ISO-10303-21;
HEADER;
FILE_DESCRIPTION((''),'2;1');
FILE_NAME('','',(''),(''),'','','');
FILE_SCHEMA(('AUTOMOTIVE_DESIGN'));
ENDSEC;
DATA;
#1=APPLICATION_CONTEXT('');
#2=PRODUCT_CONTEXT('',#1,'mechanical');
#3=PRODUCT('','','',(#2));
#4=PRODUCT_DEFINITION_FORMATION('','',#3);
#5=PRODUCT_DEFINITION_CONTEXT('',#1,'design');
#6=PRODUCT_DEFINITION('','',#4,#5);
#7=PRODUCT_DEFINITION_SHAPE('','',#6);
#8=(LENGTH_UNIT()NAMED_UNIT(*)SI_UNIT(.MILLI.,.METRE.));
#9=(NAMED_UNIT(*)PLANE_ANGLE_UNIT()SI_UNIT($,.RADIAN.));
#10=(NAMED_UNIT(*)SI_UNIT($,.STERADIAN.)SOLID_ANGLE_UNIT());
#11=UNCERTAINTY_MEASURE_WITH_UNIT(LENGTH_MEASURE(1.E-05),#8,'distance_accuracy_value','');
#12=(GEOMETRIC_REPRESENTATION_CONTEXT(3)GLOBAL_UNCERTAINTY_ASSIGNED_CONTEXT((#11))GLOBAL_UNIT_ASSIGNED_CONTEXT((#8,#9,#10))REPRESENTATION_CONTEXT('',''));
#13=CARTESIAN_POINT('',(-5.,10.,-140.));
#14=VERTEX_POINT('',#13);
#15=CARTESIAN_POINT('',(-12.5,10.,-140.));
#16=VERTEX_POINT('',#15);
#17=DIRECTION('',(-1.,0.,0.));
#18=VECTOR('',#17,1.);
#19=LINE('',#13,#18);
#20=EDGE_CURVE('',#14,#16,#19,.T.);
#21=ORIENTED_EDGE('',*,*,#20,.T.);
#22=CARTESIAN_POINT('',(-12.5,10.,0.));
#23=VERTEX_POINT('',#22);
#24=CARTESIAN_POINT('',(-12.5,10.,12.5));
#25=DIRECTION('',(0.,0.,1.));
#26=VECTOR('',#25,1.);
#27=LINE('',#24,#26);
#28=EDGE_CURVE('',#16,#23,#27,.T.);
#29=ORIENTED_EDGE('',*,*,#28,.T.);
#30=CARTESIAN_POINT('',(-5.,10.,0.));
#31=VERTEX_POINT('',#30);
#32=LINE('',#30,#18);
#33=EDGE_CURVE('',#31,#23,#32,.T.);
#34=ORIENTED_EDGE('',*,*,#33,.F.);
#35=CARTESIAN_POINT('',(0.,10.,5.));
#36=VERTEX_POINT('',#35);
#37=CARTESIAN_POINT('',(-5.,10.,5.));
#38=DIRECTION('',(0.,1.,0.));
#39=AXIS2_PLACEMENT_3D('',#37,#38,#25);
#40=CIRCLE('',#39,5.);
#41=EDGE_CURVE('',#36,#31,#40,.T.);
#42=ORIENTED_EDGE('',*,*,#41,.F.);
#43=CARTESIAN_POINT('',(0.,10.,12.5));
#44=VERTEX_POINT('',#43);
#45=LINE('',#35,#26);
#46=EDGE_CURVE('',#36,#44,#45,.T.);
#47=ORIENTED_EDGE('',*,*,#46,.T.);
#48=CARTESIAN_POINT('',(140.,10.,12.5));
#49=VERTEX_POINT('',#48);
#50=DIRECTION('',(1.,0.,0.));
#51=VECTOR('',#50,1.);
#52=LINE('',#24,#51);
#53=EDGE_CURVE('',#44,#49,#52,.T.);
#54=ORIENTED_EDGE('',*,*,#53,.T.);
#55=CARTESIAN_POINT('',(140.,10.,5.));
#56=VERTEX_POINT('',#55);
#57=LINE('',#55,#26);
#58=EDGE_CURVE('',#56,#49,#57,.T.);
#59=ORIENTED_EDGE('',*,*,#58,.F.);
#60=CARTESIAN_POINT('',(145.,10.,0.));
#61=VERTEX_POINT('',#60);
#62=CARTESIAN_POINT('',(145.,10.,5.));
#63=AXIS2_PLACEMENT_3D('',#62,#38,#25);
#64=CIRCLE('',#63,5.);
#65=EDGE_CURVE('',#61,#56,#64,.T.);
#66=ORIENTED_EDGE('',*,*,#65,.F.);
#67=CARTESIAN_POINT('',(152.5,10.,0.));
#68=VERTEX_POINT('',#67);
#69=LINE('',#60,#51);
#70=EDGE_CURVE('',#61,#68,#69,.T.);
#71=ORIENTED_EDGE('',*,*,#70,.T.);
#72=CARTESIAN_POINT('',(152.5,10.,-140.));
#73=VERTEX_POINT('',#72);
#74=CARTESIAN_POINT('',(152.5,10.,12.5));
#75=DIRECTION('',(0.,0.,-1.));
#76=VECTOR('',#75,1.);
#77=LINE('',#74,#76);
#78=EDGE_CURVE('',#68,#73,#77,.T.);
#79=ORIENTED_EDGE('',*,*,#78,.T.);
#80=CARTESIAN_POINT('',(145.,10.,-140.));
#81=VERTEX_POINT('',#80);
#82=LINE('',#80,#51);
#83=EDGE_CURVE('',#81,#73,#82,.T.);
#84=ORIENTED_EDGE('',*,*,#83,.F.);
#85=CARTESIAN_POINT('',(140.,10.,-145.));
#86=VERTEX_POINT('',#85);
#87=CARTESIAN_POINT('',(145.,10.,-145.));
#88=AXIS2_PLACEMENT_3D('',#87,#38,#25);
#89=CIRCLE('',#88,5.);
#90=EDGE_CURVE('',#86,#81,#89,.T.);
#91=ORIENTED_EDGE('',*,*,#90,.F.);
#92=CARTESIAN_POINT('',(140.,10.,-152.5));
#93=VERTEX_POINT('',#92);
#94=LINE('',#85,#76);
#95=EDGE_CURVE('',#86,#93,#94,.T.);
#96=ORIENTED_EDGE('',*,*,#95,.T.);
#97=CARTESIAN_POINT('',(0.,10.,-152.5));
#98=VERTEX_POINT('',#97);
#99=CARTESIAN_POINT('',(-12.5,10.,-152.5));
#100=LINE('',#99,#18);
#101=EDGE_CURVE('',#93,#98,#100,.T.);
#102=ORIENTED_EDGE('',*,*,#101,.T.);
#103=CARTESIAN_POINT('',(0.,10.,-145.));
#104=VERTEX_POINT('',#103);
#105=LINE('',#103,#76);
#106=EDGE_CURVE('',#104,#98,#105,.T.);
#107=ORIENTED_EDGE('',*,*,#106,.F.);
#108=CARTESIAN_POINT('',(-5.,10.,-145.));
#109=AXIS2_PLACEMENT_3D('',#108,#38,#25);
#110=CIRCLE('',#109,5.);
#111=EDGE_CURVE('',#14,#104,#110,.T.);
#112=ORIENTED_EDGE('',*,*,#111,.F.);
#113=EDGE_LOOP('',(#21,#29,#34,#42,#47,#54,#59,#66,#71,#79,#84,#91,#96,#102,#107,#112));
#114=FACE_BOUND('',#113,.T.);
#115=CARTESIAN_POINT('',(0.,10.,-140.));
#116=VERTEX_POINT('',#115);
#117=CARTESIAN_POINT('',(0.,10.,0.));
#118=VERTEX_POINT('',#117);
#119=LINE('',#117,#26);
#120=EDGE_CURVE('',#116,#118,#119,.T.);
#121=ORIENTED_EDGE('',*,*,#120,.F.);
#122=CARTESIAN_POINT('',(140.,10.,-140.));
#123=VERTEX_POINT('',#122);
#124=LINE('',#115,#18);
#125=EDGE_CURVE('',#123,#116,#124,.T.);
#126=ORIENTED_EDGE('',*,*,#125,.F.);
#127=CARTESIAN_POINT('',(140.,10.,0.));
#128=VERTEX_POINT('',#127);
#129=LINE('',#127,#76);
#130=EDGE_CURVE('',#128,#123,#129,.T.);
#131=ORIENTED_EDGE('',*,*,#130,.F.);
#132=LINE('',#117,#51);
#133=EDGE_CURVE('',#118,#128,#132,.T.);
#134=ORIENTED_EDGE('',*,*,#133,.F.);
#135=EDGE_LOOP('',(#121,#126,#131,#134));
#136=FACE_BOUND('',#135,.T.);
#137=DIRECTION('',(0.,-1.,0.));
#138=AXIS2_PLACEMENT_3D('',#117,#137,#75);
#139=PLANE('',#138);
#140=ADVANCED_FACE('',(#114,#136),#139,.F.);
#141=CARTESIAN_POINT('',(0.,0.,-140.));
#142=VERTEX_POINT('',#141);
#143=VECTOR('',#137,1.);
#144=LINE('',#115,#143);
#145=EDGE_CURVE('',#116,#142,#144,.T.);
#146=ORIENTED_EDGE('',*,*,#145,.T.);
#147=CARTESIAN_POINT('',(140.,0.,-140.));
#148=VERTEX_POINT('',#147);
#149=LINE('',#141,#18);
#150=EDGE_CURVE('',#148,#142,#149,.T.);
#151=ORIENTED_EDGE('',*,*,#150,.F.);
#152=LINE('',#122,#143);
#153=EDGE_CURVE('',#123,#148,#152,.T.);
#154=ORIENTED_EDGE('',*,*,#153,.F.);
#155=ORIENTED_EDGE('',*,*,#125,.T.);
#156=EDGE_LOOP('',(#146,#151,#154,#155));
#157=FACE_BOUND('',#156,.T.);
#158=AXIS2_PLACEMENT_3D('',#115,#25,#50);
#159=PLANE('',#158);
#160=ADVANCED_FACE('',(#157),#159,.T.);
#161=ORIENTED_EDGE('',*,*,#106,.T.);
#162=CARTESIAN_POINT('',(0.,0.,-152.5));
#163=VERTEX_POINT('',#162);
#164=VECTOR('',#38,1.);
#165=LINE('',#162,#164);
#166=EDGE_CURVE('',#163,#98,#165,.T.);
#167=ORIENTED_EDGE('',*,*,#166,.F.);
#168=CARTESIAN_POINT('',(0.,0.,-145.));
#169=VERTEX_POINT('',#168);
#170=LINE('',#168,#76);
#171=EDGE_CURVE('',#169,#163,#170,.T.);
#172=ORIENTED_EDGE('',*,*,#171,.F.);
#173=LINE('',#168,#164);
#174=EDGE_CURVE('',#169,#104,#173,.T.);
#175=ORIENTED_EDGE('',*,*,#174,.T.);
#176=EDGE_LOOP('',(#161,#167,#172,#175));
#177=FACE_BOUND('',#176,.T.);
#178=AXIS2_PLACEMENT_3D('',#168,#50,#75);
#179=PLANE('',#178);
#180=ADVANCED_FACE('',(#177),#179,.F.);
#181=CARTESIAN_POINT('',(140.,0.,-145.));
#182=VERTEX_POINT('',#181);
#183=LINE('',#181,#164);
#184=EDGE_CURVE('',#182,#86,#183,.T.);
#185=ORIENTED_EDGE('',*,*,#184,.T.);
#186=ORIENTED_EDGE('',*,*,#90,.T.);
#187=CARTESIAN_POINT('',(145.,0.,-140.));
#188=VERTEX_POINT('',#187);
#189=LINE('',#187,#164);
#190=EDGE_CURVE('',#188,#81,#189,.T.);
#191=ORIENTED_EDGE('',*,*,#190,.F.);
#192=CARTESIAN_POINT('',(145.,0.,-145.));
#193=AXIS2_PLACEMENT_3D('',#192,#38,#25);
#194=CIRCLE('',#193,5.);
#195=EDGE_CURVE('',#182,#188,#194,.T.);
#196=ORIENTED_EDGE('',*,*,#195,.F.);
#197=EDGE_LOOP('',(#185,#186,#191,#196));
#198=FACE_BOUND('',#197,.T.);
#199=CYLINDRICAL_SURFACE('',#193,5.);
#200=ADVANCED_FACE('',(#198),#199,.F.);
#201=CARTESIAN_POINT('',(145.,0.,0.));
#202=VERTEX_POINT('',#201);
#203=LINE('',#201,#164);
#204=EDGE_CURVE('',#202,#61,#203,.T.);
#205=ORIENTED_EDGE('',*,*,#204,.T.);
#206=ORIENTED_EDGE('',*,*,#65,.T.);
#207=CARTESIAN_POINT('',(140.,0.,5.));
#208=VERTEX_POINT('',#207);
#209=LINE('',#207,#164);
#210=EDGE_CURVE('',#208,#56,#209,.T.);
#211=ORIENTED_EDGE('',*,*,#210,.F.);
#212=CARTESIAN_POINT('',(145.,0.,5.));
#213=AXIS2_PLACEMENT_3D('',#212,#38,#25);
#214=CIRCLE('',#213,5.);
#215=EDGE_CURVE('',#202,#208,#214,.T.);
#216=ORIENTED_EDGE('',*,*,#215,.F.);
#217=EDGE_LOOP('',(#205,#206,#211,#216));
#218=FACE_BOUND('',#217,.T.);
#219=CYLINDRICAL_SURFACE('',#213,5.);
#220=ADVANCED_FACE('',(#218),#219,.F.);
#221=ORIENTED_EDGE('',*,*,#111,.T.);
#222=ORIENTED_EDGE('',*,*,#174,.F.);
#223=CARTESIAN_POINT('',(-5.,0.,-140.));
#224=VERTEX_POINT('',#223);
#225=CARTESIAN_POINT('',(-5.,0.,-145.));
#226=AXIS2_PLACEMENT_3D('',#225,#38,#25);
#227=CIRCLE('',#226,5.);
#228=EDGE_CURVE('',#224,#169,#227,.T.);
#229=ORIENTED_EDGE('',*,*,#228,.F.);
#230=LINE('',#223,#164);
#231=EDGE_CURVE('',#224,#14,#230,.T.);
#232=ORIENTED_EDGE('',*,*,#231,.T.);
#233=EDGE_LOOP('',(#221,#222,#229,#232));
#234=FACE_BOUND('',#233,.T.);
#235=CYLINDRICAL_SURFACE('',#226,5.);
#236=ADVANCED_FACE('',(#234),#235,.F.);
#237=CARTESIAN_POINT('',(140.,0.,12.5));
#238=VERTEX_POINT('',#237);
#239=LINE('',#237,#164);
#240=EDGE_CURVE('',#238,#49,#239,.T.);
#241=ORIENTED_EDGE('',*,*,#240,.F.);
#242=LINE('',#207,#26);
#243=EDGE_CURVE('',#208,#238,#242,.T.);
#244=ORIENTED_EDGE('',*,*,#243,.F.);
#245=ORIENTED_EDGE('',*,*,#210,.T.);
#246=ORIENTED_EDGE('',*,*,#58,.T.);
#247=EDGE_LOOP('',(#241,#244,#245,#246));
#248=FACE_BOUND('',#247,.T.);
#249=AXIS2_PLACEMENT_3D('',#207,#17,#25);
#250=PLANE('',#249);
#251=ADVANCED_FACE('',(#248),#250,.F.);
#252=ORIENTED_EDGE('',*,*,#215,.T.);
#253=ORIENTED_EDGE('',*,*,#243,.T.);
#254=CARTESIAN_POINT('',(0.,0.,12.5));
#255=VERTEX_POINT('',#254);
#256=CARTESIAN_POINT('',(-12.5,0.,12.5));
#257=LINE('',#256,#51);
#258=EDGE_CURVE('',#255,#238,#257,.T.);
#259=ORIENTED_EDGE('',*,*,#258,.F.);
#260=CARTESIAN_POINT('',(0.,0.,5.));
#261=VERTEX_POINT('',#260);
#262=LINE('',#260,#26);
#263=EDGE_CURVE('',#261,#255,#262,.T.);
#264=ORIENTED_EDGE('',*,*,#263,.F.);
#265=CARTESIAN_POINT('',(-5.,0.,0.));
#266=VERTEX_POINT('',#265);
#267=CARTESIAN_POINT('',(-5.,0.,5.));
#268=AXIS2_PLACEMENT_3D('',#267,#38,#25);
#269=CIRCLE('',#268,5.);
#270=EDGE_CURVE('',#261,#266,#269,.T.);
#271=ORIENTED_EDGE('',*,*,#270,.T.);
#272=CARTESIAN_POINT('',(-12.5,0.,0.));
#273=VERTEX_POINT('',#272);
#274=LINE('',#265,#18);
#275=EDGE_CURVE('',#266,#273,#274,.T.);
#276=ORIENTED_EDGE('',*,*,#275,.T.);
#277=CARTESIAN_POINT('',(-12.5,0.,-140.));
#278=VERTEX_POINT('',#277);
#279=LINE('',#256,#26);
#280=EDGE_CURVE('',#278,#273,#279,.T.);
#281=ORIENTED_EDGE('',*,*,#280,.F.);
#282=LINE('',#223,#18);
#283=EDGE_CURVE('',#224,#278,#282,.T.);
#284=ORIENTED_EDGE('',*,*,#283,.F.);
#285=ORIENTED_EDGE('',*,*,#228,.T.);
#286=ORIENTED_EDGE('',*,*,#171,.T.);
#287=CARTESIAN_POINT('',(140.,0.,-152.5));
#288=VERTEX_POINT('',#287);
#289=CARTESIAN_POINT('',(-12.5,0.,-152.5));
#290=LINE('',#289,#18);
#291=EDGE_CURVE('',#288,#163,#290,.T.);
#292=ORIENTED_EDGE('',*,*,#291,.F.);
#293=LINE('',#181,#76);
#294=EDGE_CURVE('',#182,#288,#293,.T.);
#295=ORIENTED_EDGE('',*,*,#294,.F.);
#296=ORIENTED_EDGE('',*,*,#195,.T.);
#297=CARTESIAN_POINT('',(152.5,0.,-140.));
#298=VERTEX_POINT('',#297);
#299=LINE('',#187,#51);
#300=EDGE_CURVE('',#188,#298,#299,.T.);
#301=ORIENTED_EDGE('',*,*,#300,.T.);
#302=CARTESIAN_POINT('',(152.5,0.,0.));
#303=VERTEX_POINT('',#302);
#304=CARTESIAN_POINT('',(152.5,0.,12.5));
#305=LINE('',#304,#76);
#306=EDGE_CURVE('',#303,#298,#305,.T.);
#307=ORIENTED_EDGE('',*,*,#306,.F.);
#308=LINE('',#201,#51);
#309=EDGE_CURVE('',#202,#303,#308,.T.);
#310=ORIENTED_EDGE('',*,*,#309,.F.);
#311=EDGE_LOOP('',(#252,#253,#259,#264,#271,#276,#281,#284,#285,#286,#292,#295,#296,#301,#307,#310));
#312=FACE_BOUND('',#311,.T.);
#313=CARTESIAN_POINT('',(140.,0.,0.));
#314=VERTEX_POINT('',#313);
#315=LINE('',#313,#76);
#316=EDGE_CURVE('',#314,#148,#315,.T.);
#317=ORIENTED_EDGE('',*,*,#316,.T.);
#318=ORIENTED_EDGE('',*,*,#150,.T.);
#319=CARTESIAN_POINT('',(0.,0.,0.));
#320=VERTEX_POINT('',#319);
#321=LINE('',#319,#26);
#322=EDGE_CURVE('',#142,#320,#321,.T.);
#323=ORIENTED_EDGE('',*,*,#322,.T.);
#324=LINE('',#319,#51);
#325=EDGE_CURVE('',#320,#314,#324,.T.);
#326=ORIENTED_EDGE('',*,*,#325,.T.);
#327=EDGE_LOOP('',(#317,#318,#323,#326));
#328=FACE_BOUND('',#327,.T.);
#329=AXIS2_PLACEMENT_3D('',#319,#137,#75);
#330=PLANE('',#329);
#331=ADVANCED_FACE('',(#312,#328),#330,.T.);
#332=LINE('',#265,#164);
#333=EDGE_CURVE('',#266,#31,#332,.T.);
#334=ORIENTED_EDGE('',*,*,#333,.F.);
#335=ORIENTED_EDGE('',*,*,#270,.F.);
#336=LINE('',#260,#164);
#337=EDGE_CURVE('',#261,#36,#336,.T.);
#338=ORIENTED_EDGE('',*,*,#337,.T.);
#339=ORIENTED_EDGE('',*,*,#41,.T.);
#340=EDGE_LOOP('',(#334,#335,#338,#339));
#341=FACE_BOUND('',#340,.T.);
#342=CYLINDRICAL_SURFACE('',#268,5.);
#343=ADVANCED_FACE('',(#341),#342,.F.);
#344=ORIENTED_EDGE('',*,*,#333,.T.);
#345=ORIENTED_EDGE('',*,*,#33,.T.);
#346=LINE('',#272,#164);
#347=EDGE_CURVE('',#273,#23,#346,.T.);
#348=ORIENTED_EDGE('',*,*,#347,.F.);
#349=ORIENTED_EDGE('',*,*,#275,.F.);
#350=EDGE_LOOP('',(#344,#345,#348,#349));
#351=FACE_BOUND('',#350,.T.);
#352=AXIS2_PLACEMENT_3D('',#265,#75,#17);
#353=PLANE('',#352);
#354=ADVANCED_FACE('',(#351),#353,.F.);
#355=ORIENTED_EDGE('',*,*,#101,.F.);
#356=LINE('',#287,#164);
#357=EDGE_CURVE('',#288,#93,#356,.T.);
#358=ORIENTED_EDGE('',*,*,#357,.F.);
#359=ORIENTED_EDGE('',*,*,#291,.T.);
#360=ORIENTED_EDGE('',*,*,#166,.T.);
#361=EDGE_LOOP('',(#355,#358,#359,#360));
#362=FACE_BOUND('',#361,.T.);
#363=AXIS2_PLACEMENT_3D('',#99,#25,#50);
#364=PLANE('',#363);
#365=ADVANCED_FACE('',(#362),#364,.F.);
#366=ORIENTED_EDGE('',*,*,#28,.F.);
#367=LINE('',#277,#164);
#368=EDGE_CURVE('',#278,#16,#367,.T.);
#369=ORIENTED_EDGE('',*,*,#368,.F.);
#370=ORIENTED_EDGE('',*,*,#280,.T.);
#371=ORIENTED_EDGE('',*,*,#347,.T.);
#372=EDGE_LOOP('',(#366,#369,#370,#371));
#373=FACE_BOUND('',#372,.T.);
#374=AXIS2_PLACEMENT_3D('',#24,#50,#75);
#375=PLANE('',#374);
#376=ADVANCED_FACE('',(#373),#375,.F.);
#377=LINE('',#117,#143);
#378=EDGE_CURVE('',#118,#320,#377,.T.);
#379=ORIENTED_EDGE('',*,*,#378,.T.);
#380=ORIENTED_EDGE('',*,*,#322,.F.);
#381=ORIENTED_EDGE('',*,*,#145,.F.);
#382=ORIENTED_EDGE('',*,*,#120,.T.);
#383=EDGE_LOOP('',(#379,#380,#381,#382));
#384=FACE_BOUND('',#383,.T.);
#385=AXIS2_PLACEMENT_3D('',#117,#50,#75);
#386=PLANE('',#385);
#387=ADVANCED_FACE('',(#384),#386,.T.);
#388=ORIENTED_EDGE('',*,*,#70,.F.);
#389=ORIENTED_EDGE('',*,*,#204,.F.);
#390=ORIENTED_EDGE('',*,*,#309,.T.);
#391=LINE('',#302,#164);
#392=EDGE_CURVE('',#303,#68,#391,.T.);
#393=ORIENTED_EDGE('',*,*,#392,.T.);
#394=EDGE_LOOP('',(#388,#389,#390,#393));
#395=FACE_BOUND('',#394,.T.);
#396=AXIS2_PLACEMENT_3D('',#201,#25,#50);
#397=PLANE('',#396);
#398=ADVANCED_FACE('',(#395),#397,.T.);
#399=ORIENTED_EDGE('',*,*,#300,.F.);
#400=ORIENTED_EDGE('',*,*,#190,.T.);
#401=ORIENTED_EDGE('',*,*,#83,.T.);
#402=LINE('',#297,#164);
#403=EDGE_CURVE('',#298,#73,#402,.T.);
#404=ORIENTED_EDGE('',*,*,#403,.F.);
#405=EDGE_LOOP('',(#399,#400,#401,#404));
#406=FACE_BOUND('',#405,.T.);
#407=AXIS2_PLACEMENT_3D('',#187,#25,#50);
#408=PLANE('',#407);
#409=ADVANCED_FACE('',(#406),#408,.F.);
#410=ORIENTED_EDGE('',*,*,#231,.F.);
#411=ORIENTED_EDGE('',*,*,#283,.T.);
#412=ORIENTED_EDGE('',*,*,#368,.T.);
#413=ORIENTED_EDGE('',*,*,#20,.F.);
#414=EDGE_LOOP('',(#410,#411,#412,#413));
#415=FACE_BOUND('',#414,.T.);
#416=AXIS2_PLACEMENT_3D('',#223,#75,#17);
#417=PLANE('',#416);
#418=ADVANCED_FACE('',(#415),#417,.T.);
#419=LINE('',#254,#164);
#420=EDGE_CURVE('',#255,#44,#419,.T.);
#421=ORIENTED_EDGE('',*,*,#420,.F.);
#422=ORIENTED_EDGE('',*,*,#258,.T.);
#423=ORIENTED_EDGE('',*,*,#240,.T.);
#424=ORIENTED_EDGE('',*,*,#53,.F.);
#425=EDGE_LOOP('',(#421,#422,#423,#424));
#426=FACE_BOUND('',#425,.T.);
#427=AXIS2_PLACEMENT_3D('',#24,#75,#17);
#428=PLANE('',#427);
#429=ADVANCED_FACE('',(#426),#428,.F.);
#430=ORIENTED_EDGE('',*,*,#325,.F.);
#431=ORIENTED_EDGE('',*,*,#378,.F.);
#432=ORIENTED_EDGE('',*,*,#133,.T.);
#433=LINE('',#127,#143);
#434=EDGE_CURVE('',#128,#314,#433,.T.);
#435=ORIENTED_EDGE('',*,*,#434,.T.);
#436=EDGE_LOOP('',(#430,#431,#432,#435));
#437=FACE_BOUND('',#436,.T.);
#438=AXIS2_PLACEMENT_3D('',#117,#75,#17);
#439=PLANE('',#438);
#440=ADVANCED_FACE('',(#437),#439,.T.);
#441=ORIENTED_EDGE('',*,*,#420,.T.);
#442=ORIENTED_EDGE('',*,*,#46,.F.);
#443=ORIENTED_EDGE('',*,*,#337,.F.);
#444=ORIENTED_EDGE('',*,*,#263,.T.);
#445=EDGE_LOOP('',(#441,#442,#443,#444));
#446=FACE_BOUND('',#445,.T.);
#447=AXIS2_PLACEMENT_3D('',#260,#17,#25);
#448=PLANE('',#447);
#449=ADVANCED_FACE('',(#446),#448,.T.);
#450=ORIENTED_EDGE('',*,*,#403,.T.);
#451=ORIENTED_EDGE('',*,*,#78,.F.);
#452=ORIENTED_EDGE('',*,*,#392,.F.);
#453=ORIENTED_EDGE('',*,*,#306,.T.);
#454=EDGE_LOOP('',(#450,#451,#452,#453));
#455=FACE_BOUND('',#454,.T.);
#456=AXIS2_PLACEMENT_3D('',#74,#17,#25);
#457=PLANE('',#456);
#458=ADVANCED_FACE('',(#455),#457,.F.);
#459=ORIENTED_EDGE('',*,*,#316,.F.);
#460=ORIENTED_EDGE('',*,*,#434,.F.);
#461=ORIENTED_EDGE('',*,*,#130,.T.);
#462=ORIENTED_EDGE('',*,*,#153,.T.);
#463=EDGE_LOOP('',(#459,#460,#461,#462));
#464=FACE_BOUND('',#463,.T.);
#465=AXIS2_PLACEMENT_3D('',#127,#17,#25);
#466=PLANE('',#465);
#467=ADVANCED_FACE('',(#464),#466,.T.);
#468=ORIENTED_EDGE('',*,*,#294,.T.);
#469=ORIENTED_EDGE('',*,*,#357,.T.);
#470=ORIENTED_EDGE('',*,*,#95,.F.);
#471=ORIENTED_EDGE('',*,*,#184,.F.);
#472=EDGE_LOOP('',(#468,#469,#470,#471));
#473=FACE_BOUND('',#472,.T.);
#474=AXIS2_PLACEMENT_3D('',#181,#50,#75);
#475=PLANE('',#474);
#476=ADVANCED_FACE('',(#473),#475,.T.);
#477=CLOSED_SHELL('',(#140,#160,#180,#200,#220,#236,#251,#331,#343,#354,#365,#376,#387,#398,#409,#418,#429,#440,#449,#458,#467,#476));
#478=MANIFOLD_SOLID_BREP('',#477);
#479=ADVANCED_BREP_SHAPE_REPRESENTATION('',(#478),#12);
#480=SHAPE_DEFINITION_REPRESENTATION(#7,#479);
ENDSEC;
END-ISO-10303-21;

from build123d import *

# Parameters (mm, degrees)
CROQUIS1_W              = 165
CROQUIS1_H              = 165
CROQUIS1_W_2            = 140
CROQUIS1_H_2            = 140
SALIENTE_EXTRUIR1_DEPTH = 10
CORTAR_EXTRUIR1_DEPTH   = 10


with BuildPart() as part:
    # Croquis1 → Saliente-Extruir1 (new body)
    with BuildSketch(Plane(origin=(0, 0, 0), x_dir=(1, 0, 0), z_dir=(0, 1, 0))):
        with Locations((70, 70)):
            Rectangle(CROQUIS1_W, CROQUIS1_H)
        with Locations((70, 70)):
            Rectangle(CROQUIS1_W_2, CROQUIS1_H_2, mode=Mode.SUBTRACT)
    extrude(amount=SALIENTE_EXTRUIR1_DEPTH)

    # Croquis2 → Cortar-Extruir1 (cut)
    with BuildSketch(Plane(origin=(0, 10, 0), x_dir=(1, 0, 0), z_dir=(0, 1, 0))):
        with BuildLine():
            Line((0, 145), (0, 152.5))
            Line((0, 152.5), (-12.5, 152.5))
            Line((-12.5, 152.5), (-12.5, 140))
            Line((-12.5, 140), (-5, 140))
            ThreePointArc((-5, 140), (-1.464466094, 141.464466094), (0, 145))
        make_face()
        with BuildLine():
            Line((145, 140), (152.5, 140))
            Line((152.5, 140), (152.5, 152.5))
            Line((152.5, 152.5), (140, 152.5))
            Line((140, 152.5), (140, 145))
            ThreePointArc((140, 145), (141.464466094, 141.464466094), (145, 140))
        make_face()
        with BuildLine():
            Line((140, -5), (140, -12.5))
            Line((140, -12.5), (152.5, -12.5))
            Line((152.5, -12.5), (152.5, 0))
            Line((152.5, 0), (145, 0))
            ThreePointArc((145, 0), (141.464466094, -1.464466094), (140, -5))
        make_face()
        with BuildLine():
            Line((-5, 0), (-12.5, 0))
            Line((-12.5, 0), (-12.5, -12.5))
            Line((-12.5, -12.5), (0, -12.5))
            Line((0, -12.5), (0, -5))
            ThreePointArc((0, -5), (-1.464466094, -1.464466094), (-5, 0))
        make_face()
    extrude(amount=-CORTAR_EXTRUIR1_DEPTH, mode=Mode.SUBTRACT)


solid = part.part
